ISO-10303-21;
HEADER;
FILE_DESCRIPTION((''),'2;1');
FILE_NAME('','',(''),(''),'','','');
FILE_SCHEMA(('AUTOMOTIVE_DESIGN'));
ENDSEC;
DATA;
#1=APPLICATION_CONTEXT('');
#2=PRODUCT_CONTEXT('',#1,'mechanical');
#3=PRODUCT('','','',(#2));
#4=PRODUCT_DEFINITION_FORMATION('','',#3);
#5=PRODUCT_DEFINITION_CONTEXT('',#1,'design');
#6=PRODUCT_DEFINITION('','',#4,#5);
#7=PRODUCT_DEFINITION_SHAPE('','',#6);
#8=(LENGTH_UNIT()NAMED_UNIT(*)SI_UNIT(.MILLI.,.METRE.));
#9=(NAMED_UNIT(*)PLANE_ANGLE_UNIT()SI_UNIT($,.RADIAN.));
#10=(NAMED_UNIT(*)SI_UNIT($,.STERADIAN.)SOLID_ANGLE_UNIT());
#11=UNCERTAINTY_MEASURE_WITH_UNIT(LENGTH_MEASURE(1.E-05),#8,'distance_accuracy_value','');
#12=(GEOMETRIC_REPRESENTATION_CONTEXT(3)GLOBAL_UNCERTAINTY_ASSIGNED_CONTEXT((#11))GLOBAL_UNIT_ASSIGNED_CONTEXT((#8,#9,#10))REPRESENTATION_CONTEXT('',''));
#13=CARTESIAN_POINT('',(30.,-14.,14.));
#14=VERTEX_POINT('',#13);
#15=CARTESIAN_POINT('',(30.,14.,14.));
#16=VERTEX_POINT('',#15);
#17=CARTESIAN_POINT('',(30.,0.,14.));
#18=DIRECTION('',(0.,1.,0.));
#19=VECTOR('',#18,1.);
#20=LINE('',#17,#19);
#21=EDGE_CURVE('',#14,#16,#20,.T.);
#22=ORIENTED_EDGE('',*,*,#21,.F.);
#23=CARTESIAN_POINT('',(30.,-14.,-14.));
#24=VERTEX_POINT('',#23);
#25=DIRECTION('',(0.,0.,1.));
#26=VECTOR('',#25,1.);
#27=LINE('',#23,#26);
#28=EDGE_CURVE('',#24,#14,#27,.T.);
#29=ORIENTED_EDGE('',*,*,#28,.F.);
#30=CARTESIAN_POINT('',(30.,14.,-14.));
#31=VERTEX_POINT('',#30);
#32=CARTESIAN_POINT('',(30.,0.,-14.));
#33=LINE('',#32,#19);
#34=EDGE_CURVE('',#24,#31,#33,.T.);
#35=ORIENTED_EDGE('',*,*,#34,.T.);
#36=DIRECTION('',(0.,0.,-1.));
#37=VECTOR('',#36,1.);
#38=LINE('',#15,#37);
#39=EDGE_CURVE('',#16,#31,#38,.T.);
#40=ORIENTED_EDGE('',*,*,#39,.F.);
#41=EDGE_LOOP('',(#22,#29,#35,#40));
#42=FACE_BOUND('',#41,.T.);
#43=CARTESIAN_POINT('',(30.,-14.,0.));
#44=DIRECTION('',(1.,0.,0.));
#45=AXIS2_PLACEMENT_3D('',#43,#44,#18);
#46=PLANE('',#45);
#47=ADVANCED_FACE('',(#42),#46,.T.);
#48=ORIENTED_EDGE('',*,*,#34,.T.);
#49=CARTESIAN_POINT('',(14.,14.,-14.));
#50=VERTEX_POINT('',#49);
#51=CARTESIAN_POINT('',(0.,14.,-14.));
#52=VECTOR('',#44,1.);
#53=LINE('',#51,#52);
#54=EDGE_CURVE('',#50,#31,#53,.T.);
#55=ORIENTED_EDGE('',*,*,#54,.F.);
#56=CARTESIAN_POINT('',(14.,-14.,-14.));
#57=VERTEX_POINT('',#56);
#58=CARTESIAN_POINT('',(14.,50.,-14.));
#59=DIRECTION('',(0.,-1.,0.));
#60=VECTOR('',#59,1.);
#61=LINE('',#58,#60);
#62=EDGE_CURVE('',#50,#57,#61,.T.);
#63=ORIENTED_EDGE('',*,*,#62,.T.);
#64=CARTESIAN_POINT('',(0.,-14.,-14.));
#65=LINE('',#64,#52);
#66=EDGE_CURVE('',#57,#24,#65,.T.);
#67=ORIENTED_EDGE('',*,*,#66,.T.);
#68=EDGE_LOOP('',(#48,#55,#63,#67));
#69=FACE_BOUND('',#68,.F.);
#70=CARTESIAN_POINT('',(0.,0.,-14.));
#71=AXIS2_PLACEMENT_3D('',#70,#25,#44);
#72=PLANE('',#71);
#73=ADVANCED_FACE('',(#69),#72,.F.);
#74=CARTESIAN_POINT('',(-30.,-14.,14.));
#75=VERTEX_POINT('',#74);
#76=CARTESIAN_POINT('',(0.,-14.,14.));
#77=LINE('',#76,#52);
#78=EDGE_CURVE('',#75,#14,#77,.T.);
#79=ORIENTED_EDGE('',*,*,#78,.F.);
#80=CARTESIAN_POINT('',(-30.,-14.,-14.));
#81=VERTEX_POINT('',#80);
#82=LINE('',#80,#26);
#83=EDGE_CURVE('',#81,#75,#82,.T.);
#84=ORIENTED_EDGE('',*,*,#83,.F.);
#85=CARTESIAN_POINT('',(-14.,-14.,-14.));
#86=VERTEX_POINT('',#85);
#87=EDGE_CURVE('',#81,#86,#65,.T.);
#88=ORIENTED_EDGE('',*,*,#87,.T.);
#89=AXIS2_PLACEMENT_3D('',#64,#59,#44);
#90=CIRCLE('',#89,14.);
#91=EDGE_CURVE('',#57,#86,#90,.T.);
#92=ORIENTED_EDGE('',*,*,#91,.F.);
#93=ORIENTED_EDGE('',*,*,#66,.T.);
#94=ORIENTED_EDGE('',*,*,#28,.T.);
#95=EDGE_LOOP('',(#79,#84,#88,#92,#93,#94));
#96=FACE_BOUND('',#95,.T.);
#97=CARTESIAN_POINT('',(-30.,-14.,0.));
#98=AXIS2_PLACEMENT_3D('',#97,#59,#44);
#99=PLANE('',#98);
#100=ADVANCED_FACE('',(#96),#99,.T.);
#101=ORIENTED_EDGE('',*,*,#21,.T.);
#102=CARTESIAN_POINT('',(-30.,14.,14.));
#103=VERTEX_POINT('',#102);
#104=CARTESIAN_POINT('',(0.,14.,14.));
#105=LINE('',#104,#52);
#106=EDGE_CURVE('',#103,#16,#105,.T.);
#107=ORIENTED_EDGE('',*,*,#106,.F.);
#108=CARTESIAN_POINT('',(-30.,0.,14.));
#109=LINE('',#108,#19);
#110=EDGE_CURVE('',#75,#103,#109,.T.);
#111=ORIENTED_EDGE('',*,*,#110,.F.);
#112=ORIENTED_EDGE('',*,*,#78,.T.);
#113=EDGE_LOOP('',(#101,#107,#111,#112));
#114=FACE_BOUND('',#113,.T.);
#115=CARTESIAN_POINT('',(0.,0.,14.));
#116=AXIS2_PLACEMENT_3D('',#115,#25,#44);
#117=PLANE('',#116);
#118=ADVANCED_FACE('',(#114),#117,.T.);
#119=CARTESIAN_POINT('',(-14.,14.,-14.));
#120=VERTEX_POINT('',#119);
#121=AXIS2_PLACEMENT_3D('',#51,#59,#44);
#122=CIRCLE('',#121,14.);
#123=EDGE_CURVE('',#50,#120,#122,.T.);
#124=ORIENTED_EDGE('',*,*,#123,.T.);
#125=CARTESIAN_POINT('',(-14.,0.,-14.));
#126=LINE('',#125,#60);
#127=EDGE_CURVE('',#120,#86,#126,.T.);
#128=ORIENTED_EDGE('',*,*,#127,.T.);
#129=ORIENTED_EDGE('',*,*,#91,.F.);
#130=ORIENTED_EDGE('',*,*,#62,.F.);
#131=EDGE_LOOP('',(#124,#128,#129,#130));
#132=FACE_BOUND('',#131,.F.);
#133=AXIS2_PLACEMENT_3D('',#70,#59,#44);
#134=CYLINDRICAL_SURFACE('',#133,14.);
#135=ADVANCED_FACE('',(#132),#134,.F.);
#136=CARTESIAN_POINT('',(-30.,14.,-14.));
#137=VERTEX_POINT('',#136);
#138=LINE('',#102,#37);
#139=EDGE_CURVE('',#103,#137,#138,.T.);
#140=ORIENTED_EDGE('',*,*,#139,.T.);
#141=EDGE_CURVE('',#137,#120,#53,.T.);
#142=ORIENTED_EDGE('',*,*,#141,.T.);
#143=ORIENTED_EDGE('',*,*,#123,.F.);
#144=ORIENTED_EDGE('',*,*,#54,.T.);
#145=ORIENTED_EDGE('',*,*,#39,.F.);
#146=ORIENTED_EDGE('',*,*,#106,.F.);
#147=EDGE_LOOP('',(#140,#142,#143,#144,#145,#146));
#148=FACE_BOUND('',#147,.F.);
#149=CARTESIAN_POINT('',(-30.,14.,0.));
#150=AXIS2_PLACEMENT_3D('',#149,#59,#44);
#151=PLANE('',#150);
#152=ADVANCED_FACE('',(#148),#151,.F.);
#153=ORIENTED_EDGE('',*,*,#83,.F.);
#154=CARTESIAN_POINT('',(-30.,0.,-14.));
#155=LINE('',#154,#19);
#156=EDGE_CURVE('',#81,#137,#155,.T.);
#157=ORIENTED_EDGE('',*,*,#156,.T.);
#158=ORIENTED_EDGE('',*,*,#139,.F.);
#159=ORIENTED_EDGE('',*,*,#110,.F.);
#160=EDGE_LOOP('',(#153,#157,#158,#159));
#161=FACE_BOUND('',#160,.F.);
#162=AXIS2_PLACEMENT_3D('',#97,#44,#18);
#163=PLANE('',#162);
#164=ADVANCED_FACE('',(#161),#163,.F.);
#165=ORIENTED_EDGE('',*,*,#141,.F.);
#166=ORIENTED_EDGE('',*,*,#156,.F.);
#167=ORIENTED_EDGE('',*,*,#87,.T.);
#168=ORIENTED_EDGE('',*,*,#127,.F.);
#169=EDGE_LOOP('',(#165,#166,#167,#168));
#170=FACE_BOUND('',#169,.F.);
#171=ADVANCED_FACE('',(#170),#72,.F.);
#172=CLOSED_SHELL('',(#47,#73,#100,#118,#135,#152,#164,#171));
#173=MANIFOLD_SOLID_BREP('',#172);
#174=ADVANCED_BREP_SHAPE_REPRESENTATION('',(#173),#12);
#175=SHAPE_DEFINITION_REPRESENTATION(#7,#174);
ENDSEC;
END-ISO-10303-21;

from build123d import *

# Parameters (mm, degrees)
F0_W     = 60
F0_H     = 28
F1_DEPTH = 14
F2_R     = 14
F3_DEPTH = 50


with BuildPart() as f1:
    # F0 (on Top) → F1 (new body, symmetric)
    with BuildSketch(Plane.XY):
        Rectangle(F0_W, F0_H)
    extrude(amount=F1_DEPTH, both=True)

    # F2 (on Front) → F3 (cut, symmetric)
    with BuildSketch(Plane.XZ):
        with Locations((0, -14)):
            Circle(F2_R)
    extrude(amount=F3_DEPTH, both=True, mode=Mode.SUBTRACT)


solid = f1.part
